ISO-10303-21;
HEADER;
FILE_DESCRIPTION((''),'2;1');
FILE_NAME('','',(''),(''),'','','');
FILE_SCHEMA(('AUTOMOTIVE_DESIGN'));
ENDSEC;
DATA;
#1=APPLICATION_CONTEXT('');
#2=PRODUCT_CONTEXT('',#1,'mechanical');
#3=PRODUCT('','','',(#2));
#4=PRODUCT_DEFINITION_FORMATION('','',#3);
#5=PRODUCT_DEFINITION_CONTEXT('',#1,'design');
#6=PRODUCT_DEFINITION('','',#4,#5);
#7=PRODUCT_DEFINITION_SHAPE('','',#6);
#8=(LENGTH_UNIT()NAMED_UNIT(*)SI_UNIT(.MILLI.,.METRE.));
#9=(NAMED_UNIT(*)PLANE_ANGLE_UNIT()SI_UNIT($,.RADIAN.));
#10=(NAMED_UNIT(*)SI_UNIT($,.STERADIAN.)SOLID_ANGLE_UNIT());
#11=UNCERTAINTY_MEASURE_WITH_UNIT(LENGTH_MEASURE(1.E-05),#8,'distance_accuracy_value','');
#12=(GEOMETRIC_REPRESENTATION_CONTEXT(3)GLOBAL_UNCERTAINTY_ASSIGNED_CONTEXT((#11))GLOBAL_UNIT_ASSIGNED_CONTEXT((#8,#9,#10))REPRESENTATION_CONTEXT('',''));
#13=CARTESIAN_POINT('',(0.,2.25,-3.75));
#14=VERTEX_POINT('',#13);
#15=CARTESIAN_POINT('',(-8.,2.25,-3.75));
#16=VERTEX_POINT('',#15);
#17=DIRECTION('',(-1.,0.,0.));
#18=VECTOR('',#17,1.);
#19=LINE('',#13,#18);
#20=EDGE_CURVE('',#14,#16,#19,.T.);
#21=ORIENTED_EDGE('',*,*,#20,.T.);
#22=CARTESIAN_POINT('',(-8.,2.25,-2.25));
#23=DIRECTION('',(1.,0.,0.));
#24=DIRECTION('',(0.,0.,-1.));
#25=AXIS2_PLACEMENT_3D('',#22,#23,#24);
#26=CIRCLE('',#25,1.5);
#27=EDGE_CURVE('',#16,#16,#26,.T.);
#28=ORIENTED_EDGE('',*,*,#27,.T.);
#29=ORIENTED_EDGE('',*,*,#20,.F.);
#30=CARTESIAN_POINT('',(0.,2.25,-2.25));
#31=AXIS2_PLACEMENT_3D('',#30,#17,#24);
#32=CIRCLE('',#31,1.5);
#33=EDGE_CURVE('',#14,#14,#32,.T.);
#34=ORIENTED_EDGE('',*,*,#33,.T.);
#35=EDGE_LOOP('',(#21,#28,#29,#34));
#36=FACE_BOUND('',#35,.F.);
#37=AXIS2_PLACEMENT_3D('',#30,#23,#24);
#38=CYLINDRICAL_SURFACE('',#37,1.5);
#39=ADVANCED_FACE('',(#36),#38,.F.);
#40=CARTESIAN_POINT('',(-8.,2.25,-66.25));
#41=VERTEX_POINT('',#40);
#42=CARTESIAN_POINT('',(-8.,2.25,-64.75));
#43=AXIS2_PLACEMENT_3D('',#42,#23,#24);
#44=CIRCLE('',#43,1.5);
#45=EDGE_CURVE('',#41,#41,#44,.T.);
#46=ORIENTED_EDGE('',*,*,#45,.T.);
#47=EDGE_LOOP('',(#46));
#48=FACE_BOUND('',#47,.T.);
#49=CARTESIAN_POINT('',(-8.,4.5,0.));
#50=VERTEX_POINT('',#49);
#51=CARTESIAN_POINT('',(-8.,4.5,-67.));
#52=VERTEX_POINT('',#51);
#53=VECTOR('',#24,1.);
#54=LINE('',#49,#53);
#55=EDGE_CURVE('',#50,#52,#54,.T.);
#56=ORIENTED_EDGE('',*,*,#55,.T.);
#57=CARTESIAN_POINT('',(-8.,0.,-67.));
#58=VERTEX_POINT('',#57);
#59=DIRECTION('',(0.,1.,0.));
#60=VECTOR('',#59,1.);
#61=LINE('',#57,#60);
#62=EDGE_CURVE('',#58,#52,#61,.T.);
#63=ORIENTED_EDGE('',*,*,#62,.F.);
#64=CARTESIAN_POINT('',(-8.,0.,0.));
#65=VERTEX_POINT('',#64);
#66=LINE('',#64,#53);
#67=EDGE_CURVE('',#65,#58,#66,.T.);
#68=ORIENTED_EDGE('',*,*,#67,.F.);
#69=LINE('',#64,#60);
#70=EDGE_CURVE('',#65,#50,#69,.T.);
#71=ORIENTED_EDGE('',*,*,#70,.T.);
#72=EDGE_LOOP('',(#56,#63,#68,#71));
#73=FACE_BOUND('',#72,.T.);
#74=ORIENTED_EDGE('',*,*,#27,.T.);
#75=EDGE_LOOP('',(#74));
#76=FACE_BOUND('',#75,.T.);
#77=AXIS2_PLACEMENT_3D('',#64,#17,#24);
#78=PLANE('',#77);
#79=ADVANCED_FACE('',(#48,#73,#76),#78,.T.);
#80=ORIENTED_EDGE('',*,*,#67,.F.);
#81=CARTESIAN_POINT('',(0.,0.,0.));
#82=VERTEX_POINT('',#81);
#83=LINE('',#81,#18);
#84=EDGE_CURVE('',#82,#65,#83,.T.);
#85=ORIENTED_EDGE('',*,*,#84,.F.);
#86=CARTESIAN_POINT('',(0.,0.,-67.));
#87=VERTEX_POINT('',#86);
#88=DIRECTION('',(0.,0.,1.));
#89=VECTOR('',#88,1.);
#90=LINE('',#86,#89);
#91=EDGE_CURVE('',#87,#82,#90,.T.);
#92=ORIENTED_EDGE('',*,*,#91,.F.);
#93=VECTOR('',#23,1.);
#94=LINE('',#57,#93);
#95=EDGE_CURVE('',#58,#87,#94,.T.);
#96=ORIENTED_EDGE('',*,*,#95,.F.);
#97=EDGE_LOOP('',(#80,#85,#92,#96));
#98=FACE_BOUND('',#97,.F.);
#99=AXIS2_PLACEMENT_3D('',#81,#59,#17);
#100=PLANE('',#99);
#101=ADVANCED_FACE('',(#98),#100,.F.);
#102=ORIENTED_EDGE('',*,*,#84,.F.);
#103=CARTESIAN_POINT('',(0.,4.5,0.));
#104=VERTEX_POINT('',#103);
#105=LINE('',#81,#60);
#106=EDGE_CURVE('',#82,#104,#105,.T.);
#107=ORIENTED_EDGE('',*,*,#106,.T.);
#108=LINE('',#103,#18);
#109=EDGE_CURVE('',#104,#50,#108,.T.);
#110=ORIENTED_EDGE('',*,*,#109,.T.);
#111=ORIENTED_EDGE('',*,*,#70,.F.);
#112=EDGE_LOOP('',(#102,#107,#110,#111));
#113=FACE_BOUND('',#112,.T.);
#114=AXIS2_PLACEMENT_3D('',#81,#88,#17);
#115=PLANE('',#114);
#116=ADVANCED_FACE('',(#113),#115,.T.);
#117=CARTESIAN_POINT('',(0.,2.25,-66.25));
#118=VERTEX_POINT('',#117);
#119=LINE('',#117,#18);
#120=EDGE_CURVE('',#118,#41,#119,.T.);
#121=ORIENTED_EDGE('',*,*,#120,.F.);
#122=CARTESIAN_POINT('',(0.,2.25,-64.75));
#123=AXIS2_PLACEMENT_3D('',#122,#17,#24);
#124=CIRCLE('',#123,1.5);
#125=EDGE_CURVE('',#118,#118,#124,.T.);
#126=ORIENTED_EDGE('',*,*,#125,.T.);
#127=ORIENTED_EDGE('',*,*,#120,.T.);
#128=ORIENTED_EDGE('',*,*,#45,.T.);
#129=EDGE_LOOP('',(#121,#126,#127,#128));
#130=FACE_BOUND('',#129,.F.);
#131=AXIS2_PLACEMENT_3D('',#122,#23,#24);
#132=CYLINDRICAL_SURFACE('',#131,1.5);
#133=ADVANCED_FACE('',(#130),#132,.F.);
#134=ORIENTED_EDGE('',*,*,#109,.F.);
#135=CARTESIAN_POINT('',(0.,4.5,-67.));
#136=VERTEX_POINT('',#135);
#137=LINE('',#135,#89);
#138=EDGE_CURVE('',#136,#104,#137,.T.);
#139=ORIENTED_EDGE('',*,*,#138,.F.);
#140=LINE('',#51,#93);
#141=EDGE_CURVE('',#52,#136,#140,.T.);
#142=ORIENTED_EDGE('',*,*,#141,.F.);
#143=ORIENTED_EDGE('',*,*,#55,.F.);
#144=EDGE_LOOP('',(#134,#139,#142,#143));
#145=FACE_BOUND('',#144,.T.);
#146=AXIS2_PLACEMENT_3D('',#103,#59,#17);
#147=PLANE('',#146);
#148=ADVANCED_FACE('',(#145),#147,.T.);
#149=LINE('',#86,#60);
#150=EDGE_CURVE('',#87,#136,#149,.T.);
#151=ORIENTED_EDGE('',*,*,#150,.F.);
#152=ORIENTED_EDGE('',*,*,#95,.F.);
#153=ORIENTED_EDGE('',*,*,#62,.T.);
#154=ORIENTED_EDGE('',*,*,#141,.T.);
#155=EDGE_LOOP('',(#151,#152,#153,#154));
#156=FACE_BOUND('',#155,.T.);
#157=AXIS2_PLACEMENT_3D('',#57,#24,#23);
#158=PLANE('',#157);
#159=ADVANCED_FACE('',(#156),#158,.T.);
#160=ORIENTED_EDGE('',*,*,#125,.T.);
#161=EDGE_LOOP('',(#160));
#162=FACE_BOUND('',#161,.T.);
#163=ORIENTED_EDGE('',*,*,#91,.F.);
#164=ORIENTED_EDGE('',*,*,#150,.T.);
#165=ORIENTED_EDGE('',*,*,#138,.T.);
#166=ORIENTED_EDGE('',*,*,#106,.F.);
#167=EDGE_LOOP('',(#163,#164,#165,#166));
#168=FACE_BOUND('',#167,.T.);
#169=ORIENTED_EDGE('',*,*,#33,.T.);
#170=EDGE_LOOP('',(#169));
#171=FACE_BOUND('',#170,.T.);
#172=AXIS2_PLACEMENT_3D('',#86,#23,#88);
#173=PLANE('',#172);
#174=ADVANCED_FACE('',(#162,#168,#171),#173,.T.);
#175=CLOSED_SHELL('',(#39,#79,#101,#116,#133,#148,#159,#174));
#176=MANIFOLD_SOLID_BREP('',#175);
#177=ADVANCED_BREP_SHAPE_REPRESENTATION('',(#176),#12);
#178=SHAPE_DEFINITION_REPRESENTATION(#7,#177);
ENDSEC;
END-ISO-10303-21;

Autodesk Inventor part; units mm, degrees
ref_plane "YZ Plane" through (0, 0, 0) normal (1, 0, 0) x (0, 1, 0)
ref_plane "XZ Plane" through (0, 0, 0) normal (0, 1, 0) x (-1, 0, 0)
ref_plane "XY Plane" through (0, 0, 0) normal (0, 0, 1) x (1, 0, 0)
sketch "Sketch1" plane through (0, 0, 0) normal (0, 1, 0) x (-1, 0, 0)
  line L0 (0, 0) -> (8, 0)
  line L1 (8, 0) -> (8, -67)
  line L2 (8, -67) -> (0, -67)
  line L3 (0, -67) -> (0, 0)
  dimension "d0" = 8
  dimension "d1" = 67
extrude "Extrusion1" add sketch "Sketch1" along normal blind 4.5
sketch "Sketch2" plane through (0, 0, 0) normal (1, 0, 0) x (0, 0, -1)
  line L0 (0, 0) -> (0, 4.5) projected
  line L1 (0, 4.5) -> (2.25, 4.5)
  line L2 (2.25, 4.5) -> (2.25, 2.25)
  line L3 (2.25, 2.25) -> (0, 2.25)
  line L4 (0, 2.25) -> (0, 4.5)
  circle A0 centre (2.25, 2.25) radius 1.5
  line L5 (67, 0) -> (67, 4.5) projected
  line L6 (67, 4.5) -> (64.75, 4.5)
  line L7 (64.75, 4.5) -> (64.75, 2.25)
  line L8 (64.75, 2.25) -> (67, 2.25)
  line L9 (67, 2.25) -> (67, 4.5)
  circle A1 centre (64.75, 2.25) radius 1.5
  dimension "d4" = 2.25
  dimension "d5" = 2.25
  dimension "d6" = 3
  dimension "d7" = 2.25
  dimension "d8" = 2.25
  dimension "d9" = 3
extrude "Extrusion2" cut sketch "Sketch2" against normal blind 10 contours A0 L2 L3 | L3 L2 A0 | A1 L7 L8 | L8 L7 A1
properties part number "suport4_pcb_temp"
